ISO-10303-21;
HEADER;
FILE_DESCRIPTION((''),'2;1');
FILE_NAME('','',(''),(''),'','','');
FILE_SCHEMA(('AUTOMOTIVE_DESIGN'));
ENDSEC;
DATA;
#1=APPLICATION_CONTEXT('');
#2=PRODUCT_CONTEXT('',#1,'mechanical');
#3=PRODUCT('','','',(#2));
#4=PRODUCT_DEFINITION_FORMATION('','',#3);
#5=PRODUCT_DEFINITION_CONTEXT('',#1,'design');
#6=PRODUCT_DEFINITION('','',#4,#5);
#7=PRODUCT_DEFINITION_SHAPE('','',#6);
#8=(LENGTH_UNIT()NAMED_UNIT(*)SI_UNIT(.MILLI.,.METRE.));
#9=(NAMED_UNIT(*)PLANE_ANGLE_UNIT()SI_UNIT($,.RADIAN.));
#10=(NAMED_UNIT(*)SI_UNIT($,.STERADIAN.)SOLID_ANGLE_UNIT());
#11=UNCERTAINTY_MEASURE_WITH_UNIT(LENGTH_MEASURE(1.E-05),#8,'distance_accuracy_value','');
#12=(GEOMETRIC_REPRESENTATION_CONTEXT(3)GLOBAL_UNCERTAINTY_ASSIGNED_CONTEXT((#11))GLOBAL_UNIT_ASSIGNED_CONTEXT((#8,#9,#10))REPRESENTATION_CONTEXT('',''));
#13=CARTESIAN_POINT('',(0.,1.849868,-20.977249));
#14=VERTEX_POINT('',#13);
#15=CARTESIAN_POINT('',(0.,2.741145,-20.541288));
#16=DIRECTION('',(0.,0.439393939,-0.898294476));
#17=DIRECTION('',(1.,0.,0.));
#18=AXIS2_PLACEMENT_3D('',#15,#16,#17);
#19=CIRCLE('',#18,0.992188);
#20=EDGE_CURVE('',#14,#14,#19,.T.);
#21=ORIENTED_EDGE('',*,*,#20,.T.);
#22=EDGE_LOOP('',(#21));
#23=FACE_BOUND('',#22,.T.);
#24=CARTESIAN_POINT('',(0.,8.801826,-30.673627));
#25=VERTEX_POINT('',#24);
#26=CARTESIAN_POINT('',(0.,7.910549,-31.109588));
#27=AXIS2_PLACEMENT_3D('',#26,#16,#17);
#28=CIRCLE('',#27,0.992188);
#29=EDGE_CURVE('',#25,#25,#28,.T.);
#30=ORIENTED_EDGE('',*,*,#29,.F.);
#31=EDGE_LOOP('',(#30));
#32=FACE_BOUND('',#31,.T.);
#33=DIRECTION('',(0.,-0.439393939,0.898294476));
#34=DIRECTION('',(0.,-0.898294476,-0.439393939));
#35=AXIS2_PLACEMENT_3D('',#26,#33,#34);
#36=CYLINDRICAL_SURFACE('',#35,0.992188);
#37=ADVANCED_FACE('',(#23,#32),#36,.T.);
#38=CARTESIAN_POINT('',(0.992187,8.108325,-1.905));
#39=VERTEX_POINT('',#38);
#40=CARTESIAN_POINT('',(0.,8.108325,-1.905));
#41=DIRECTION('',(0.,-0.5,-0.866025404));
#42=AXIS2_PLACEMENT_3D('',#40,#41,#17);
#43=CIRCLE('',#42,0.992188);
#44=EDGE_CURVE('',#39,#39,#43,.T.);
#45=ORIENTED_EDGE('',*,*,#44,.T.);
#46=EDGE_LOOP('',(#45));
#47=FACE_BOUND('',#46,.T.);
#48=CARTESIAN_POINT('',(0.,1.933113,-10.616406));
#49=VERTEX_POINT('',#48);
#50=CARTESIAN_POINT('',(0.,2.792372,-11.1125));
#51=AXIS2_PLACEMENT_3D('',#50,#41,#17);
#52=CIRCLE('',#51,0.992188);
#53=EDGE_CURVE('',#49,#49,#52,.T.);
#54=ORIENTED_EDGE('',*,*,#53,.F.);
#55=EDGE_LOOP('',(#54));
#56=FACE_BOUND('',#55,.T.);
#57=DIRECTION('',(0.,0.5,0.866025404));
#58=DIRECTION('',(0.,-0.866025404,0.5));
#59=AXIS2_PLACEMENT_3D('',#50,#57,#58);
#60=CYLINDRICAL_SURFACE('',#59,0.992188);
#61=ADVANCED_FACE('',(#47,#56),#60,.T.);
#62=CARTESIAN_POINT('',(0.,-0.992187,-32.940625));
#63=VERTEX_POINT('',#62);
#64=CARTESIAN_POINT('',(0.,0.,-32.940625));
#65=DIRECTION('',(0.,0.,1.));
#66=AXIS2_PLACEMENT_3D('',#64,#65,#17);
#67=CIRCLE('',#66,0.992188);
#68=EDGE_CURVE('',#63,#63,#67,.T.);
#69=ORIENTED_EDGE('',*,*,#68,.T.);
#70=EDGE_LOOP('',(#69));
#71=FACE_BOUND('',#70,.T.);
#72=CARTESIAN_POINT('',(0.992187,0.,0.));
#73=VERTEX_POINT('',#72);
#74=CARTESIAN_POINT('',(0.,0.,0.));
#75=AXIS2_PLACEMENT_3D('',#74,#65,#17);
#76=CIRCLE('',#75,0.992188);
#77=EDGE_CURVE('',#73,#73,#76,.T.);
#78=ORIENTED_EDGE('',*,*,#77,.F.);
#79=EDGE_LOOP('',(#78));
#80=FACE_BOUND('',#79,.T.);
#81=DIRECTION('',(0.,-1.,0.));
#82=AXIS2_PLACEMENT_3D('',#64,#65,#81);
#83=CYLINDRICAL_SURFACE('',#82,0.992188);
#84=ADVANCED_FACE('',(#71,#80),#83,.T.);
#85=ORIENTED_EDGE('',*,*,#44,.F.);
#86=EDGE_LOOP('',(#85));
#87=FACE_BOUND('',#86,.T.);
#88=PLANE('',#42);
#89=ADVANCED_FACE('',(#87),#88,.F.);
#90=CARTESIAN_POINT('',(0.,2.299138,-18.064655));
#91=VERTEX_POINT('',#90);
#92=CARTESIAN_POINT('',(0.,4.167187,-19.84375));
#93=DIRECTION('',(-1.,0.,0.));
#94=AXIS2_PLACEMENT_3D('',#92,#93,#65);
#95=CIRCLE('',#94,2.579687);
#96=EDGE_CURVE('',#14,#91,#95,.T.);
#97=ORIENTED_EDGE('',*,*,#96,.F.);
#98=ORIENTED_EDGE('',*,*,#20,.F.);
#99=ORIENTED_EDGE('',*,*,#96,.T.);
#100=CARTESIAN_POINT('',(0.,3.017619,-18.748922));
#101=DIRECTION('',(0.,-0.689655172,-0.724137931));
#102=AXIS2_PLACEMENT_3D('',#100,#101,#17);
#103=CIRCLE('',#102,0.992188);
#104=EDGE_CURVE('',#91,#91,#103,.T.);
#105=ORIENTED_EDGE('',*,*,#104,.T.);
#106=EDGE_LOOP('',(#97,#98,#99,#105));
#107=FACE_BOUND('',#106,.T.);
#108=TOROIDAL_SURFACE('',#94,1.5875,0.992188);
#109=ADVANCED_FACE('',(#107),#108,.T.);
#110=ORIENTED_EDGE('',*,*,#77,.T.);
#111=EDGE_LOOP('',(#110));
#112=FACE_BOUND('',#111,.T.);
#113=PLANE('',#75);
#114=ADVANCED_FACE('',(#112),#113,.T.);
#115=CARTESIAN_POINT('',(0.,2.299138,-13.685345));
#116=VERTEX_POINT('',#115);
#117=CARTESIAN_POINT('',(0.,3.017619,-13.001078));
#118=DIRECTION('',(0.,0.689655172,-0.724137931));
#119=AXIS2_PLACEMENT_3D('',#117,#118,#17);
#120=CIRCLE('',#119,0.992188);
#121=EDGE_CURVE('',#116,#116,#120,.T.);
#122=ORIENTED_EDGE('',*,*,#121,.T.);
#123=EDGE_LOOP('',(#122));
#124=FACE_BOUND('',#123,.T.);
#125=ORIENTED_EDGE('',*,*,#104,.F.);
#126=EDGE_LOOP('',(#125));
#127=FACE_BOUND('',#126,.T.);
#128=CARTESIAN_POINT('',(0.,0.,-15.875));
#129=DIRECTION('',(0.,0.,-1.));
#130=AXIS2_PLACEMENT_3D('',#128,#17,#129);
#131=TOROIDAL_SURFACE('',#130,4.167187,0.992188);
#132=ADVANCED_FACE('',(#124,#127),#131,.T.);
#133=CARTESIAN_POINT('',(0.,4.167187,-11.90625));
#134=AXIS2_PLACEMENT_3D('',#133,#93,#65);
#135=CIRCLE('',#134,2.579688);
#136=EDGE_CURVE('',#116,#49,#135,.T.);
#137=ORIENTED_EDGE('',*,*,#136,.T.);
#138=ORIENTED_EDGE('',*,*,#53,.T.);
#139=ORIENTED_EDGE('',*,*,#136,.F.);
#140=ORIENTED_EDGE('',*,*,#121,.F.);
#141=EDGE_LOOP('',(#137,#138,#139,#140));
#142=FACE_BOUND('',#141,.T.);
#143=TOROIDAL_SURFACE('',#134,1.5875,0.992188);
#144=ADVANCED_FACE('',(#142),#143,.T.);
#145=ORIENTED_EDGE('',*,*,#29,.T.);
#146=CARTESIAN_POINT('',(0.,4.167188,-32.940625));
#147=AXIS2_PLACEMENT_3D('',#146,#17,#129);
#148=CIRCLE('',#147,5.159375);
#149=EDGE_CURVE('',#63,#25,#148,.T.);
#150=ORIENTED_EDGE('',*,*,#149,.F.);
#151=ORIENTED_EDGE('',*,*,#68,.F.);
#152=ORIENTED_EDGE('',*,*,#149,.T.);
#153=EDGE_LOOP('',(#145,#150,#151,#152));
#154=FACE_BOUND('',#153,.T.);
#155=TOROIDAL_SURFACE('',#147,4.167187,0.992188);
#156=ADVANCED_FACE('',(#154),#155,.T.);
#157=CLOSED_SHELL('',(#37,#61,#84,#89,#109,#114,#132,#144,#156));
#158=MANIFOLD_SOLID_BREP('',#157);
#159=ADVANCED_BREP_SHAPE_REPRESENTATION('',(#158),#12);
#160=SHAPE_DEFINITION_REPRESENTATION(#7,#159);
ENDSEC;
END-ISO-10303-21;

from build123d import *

# Parameters (mm, degrees)
SKETCH1_R = 0.9921875


with BuildPart() as part:
    # Sweep1: sweep along a path in Sketch2
    with BuildLine(Plane(origin=(0, 0, 0), x_dir=(0, 0, -1), z_dir=(1, 0, 0))) as sweep1_path:
        Line((0, 0), (32.940625, 0))
        ThreePointArc((32.940625, 0), (37.000473579, 5.10691149), (31.109588068, 7.910549013))
        Line((31.109588068, 7.910549013), (20.541287879, 2.741145019))
        ThreePointArc((20.541287879, 2.741145019), (19.6017393, 2.598242928), (18.748922414, 3.017618534))
        ThreePointArc((18.748922414, 3.017618534), (15.875, 4.1671875), (13.001077586, 3.017618534))
        ThreePointArc((13.001077586, 3.017618534), (12.094255078, 2.59085938), (11.1125, 2.792372171))
        Line((11.1125, 2.792372171), (1.905, 8.108324775))
    # Sketch1 → Sweep1 (sweep)
    with BuildSketch(Plane.XY):
        Circle(SKETCH1_R)
    sweep(path=sweep1_path.line)


solid = part.part
